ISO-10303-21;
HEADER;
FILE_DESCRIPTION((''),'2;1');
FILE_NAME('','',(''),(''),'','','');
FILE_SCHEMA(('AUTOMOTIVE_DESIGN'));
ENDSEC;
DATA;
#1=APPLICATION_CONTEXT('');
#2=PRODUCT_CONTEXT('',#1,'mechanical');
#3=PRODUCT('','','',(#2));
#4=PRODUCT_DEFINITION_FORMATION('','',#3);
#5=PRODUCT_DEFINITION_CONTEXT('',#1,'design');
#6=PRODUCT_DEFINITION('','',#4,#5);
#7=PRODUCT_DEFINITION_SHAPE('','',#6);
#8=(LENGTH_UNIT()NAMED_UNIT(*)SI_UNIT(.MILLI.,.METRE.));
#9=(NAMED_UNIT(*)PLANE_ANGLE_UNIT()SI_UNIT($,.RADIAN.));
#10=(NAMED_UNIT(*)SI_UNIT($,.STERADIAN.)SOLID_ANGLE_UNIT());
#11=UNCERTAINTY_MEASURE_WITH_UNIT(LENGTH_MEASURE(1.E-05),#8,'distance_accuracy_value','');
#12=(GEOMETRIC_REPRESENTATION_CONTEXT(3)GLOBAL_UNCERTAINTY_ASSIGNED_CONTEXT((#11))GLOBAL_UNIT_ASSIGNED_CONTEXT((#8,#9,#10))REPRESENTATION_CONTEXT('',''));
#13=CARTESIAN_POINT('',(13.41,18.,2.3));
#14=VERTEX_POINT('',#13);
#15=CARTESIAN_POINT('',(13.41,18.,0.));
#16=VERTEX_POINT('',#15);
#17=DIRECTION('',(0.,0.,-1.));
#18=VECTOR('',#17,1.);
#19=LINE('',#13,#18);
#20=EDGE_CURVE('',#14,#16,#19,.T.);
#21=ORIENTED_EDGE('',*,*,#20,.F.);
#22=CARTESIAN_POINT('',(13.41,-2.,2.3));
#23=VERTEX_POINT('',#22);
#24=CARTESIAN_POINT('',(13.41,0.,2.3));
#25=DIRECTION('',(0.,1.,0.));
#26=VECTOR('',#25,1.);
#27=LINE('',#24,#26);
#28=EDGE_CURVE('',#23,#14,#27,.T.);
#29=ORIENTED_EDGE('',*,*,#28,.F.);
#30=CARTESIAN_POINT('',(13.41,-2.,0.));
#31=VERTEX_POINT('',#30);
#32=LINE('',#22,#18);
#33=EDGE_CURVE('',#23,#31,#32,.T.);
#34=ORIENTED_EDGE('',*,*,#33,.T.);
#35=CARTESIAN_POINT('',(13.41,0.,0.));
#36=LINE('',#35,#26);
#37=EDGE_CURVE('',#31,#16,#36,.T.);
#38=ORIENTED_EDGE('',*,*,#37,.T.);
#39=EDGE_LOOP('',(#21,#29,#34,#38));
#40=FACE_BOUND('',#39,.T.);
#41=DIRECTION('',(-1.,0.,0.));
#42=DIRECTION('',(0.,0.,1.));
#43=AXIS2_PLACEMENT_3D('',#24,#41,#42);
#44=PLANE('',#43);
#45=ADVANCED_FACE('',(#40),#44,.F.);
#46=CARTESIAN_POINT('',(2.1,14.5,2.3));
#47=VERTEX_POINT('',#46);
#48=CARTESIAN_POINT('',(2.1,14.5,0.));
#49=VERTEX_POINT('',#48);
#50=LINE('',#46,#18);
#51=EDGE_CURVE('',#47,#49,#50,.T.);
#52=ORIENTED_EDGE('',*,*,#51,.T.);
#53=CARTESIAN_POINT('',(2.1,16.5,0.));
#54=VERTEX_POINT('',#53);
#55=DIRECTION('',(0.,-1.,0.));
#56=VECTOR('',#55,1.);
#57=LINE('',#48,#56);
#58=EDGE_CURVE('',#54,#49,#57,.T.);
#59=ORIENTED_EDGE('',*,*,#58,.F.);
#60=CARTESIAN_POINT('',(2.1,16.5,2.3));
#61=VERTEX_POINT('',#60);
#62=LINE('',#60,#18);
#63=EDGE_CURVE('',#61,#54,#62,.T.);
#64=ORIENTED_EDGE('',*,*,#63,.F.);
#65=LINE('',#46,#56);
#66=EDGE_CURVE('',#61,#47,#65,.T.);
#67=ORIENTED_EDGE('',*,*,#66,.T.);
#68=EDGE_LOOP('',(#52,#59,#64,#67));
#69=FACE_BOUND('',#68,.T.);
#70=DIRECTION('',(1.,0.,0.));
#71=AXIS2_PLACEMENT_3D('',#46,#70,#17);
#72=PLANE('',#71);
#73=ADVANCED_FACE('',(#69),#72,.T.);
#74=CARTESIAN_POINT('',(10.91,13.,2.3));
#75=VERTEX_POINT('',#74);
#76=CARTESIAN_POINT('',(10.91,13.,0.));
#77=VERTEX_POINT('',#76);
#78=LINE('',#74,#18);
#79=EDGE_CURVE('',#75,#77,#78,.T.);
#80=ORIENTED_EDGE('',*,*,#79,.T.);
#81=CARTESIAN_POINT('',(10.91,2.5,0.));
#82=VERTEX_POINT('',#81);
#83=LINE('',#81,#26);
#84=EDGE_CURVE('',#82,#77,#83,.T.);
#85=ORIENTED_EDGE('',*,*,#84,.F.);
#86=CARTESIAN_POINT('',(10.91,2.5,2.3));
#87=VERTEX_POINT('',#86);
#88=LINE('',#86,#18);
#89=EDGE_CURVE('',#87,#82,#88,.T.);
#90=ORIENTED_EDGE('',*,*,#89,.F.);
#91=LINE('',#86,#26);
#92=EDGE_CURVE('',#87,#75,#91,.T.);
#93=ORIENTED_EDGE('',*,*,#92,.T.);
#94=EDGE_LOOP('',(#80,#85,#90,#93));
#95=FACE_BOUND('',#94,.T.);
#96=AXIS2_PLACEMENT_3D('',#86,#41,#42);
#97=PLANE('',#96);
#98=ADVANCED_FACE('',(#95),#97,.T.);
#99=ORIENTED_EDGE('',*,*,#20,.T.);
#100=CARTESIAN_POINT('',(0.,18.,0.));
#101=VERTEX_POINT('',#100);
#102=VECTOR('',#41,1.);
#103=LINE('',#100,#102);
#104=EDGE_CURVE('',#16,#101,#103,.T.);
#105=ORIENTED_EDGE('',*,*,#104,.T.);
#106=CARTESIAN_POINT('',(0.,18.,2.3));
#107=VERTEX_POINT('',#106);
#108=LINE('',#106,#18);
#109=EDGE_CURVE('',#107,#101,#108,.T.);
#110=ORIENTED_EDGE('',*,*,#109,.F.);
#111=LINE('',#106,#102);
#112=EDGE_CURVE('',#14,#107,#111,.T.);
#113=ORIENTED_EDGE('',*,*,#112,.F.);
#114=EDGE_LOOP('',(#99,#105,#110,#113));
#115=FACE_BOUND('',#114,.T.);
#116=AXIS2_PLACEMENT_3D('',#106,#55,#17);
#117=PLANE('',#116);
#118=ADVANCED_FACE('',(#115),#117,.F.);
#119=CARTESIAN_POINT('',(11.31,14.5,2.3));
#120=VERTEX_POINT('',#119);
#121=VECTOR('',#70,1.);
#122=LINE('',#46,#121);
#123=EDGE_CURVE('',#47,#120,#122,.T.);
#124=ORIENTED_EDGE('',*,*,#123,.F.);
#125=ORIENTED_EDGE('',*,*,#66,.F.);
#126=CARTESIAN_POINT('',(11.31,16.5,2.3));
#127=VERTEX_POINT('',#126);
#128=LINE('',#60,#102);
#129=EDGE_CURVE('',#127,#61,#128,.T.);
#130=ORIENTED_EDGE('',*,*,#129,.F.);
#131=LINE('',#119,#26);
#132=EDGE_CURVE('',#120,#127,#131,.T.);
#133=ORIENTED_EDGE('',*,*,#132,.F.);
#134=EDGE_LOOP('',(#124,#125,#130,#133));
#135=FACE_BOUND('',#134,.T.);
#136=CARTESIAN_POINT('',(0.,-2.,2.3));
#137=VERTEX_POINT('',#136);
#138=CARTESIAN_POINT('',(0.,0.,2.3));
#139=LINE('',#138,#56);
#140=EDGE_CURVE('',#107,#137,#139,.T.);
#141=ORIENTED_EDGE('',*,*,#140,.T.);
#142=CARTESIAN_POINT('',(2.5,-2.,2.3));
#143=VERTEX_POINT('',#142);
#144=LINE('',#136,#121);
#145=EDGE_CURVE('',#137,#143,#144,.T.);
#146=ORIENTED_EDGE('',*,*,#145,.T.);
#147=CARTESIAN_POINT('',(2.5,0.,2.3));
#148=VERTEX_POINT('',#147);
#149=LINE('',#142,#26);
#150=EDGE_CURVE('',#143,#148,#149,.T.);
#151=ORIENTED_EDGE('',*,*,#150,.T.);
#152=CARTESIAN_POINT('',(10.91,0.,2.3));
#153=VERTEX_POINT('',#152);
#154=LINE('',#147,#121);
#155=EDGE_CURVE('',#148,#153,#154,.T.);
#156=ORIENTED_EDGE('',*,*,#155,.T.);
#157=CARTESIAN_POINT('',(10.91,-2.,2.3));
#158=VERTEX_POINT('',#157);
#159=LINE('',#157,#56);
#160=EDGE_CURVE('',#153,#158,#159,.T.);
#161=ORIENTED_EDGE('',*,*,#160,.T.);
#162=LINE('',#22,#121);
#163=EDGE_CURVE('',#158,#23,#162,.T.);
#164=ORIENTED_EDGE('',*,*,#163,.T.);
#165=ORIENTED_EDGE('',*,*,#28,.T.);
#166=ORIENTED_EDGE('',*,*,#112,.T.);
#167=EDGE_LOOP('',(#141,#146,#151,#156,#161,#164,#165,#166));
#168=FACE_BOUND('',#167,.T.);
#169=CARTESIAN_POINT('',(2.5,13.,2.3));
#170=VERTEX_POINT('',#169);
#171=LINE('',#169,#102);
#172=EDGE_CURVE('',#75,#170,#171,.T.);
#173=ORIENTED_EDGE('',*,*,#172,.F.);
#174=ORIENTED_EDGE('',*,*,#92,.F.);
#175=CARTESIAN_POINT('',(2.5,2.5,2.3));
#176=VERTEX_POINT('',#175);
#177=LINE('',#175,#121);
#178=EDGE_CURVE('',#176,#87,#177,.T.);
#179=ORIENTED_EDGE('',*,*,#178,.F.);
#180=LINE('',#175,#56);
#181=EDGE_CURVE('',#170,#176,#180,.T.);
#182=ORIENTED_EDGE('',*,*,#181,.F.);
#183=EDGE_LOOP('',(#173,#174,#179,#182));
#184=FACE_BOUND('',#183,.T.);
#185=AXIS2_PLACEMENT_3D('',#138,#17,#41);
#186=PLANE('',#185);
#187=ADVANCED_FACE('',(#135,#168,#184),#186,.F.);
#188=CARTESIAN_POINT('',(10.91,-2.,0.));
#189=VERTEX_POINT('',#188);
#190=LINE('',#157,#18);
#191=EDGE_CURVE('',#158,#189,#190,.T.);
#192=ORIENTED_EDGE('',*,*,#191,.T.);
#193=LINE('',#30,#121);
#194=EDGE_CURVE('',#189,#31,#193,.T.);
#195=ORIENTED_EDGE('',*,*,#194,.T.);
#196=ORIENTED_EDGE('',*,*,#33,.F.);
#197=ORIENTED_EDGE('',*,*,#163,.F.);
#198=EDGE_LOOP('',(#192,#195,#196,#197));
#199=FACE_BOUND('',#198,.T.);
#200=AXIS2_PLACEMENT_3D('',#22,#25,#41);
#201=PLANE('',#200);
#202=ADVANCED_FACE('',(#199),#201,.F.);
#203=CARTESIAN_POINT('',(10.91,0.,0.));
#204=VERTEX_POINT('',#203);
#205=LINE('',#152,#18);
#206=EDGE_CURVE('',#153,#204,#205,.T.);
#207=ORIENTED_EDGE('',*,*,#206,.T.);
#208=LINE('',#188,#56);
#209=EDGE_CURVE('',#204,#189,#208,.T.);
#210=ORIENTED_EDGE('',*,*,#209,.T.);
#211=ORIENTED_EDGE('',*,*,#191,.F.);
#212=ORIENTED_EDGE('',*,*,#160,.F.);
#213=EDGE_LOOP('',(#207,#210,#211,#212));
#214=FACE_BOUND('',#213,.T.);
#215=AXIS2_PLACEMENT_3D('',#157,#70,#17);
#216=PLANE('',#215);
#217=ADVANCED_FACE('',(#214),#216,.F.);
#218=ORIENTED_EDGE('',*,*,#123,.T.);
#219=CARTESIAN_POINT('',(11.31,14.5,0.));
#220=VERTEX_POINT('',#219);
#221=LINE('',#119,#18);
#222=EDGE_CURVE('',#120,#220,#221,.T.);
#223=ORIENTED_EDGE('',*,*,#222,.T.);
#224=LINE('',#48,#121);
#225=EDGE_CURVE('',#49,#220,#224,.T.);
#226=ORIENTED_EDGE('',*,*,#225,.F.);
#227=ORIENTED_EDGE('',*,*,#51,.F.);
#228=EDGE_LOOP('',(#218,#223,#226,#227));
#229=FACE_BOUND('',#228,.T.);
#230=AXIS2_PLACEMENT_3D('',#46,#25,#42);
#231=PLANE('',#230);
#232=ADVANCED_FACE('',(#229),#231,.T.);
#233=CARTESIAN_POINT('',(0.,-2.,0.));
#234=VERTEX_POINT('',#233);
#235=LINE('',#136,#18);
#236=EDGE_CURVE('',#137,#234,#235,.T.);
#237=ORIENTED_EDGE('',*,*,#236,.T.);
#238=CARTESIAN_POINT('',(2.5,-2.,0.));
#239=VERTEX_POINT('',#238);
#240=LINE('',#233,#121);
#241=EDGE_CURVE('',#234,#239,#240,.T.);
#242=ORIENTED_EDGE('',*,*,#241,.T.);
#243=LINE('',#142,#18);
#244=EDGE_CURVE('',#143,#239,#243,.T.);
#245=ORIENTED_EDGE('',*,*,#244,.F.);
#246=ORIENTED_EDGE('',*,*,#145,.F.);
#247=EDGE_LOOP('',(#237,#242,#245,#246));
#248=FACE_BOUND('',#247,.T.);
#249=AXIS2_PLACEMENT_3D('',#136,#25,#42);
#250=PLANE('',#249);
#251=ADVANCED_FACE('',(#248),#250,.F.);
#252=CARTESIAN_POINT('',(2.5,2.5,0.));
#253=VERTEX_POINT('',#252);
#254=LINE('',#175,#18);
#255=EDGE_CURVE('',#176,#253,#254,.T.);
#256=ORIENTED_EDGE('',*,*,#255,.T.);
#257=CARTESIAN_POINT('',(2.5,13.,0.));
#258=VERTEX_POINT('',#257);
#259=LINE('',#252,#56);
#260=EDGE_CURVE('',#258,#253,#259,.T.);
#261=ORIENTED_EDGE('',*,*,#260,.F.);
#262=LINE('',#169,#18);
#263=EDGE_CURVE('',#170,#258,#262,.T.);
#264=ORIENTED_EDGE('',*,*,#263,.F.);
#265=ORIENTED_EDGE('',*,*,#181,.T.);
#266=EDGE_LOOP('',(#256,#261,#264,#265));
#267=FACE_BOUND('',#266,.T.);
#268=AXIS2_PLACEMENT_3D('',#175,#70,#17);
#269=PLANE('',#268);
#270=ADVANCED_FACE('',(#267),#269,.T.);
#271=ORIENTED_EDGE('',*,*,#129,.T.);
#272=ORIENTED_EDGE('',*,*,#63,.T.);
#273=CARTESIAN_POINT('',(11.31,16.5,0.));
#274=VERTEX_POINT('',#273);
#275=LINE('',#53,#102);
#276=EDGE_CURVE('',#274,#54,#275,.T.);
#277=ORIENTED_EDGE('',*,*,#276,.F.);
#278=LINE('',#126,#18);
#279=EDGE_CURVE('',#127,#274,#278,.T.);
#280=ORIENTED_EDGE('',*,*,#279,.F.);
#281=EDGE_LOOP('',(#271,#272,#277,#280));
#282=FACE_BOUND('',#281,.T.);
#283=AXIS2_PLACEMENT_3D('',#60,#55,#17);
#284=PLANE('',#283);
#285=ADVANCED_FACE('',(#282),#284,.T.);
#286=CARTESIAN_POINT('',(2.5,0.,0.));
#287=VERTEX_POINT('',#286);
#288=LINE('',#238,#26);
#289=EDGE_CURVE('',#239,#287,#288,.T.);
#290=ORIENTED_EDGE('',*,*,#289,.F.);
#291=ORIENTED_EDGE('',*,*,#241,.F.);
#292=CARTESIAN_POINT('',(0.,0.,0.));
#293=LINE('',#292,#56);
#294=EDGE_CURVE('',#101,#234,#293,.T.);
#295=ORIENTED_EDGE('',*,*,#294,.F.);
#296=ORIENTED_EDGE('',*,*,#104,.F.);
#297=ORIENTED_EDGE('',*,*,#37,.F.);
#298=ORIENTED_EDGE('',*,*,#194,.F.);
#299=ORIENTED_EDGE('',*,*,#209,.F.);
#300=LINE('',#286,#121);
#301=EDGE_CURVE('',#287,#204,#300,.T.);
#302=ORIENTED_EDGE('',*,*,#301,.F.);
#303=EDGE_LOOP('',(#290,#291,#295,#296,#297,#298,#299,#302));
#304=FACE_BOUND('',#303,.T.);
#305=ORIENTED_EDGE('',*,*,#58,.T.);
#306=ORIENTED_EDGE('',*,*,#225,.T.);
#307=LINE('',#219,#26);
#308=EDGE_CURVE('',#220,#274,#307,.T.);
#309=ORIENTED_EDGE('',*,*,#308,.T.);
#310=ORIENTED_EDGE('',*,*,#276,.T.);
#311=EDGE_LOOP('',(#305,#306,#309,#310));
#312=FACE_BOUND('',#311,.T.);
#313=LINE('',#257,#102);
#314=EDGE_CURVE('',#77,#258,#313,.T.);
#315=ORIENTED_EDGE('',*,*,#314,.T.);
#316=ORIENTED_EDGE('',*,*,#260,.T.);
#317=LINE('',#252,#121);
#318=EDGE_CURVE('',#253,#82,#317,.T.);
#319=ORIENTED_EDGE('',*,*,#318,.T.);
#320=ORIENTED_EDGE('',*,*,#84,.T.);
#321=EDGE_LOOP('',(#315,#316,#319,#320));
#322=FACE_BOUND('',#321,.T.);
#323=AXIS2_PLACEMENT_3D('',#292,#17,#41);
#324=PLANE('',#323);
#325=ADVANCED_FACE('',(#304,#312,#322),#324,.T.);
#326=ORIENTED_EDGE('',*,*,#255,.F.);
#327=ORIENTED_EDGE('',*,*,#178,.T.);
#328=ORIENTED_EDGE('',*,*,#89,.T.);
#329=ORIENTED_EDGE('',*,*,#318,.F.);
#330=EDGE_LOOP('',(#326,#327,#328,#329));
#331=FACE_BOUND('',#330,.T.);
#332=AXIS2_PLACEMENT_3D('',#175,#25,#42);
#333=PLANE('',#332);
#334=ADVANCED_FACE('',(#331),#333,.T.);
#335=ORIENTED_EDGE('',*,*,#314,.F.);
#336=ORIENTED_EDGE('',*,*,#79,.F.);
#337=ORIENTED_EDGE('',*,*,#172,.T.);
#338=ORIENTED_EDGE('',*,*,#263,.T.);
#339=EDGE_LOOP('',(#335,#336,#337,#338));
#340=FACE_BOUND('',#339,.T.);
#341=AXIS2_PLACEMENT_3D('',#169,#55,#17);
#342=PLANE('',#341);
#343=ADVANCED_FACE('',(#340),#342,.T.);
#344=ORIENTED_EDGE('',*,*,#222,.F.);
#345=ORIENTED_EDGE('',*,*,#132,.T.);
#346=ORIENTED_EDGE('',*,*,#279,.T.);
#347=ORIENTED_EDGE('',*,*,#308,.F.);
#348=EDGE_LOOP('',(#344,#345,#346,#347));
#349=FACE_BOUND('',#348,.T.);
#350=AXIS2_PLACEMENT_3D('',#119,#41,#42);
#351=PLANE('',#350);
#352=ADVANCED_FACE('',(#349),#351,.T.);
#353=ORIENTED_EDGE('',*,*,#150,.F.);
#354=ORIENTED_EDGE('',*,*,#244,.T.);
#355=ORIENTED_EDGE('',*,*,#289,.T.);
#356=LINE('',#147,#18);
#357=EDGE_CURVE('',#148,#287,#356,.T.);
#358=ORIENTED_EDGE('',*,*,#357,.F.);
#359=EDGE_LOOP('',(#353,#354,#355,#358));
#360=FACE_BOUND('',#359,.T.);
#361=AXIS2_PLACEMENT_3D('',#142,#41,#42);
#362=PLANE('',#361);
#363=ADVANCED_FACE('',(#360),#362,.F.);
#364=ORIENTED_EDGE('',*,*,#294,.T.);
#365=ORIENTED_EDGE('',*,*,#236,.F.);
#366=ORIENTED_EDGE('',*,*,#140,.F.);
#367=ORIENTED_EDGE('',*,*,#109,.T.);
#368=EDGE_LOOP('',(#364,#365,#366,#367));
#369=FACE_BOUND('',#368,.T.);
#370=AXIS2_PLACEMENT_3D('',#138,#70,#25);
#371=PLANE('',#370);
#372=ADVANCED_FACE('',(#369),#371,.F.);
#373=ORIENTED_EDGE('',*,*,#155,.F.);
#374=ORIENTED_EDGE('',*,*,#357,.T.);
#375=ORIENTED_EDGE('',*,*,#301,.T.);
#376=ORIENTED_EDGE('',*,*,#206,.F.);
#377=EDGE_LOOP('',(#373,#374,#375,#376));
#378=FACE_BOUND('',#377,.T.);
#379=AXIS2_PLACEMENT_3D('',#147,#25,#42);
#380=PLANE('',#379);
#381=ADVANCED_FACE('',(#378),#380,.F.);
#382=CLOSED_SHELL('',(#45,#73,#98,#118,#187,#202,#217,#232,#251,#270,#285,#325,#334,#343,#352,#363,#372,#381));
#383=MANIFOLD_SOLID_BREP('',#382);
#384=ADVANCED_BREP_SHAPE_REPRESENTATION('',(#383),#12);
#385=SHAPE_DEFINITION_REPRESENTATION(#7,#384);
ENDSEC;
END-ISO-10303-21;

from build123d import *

# Parameters (mm, degrees)
SKETCH1_W           = 8.41
SKETCH1_H           = 10.5
SKETCH1_W_2         = 9.21
SKETCH1_H_2         = 2
BOSS_EXTRUDE1_DEPTH = 2.3


with BuildPart() as part:
    # Sketch1 → Boss-Extrude1 (new body)
    with BuildSketch(Plane.XY):
        Polygon((0, 0), (0, -2), (2.5, -2), (2.5, 0), (10.91, 0), (10.91, -2), (13.41, -2), (13.41, 0), (13.41, 18), (0, 18), align=None)
        with Locations((6.705, 7.75)):
            Rectangle(SKETCH1_W, SKETCH1_H, mode=Mode.SUBTRACT)
        with Locations((6.705, 15.5)):
            Rectangle(SKETCH1_W_2, SKETCH1_H_2, mode=Mode.SUBTRACT)
    extrude(amount=BOSS_EXTRUDE1_DEPTH)


solid = part.part
